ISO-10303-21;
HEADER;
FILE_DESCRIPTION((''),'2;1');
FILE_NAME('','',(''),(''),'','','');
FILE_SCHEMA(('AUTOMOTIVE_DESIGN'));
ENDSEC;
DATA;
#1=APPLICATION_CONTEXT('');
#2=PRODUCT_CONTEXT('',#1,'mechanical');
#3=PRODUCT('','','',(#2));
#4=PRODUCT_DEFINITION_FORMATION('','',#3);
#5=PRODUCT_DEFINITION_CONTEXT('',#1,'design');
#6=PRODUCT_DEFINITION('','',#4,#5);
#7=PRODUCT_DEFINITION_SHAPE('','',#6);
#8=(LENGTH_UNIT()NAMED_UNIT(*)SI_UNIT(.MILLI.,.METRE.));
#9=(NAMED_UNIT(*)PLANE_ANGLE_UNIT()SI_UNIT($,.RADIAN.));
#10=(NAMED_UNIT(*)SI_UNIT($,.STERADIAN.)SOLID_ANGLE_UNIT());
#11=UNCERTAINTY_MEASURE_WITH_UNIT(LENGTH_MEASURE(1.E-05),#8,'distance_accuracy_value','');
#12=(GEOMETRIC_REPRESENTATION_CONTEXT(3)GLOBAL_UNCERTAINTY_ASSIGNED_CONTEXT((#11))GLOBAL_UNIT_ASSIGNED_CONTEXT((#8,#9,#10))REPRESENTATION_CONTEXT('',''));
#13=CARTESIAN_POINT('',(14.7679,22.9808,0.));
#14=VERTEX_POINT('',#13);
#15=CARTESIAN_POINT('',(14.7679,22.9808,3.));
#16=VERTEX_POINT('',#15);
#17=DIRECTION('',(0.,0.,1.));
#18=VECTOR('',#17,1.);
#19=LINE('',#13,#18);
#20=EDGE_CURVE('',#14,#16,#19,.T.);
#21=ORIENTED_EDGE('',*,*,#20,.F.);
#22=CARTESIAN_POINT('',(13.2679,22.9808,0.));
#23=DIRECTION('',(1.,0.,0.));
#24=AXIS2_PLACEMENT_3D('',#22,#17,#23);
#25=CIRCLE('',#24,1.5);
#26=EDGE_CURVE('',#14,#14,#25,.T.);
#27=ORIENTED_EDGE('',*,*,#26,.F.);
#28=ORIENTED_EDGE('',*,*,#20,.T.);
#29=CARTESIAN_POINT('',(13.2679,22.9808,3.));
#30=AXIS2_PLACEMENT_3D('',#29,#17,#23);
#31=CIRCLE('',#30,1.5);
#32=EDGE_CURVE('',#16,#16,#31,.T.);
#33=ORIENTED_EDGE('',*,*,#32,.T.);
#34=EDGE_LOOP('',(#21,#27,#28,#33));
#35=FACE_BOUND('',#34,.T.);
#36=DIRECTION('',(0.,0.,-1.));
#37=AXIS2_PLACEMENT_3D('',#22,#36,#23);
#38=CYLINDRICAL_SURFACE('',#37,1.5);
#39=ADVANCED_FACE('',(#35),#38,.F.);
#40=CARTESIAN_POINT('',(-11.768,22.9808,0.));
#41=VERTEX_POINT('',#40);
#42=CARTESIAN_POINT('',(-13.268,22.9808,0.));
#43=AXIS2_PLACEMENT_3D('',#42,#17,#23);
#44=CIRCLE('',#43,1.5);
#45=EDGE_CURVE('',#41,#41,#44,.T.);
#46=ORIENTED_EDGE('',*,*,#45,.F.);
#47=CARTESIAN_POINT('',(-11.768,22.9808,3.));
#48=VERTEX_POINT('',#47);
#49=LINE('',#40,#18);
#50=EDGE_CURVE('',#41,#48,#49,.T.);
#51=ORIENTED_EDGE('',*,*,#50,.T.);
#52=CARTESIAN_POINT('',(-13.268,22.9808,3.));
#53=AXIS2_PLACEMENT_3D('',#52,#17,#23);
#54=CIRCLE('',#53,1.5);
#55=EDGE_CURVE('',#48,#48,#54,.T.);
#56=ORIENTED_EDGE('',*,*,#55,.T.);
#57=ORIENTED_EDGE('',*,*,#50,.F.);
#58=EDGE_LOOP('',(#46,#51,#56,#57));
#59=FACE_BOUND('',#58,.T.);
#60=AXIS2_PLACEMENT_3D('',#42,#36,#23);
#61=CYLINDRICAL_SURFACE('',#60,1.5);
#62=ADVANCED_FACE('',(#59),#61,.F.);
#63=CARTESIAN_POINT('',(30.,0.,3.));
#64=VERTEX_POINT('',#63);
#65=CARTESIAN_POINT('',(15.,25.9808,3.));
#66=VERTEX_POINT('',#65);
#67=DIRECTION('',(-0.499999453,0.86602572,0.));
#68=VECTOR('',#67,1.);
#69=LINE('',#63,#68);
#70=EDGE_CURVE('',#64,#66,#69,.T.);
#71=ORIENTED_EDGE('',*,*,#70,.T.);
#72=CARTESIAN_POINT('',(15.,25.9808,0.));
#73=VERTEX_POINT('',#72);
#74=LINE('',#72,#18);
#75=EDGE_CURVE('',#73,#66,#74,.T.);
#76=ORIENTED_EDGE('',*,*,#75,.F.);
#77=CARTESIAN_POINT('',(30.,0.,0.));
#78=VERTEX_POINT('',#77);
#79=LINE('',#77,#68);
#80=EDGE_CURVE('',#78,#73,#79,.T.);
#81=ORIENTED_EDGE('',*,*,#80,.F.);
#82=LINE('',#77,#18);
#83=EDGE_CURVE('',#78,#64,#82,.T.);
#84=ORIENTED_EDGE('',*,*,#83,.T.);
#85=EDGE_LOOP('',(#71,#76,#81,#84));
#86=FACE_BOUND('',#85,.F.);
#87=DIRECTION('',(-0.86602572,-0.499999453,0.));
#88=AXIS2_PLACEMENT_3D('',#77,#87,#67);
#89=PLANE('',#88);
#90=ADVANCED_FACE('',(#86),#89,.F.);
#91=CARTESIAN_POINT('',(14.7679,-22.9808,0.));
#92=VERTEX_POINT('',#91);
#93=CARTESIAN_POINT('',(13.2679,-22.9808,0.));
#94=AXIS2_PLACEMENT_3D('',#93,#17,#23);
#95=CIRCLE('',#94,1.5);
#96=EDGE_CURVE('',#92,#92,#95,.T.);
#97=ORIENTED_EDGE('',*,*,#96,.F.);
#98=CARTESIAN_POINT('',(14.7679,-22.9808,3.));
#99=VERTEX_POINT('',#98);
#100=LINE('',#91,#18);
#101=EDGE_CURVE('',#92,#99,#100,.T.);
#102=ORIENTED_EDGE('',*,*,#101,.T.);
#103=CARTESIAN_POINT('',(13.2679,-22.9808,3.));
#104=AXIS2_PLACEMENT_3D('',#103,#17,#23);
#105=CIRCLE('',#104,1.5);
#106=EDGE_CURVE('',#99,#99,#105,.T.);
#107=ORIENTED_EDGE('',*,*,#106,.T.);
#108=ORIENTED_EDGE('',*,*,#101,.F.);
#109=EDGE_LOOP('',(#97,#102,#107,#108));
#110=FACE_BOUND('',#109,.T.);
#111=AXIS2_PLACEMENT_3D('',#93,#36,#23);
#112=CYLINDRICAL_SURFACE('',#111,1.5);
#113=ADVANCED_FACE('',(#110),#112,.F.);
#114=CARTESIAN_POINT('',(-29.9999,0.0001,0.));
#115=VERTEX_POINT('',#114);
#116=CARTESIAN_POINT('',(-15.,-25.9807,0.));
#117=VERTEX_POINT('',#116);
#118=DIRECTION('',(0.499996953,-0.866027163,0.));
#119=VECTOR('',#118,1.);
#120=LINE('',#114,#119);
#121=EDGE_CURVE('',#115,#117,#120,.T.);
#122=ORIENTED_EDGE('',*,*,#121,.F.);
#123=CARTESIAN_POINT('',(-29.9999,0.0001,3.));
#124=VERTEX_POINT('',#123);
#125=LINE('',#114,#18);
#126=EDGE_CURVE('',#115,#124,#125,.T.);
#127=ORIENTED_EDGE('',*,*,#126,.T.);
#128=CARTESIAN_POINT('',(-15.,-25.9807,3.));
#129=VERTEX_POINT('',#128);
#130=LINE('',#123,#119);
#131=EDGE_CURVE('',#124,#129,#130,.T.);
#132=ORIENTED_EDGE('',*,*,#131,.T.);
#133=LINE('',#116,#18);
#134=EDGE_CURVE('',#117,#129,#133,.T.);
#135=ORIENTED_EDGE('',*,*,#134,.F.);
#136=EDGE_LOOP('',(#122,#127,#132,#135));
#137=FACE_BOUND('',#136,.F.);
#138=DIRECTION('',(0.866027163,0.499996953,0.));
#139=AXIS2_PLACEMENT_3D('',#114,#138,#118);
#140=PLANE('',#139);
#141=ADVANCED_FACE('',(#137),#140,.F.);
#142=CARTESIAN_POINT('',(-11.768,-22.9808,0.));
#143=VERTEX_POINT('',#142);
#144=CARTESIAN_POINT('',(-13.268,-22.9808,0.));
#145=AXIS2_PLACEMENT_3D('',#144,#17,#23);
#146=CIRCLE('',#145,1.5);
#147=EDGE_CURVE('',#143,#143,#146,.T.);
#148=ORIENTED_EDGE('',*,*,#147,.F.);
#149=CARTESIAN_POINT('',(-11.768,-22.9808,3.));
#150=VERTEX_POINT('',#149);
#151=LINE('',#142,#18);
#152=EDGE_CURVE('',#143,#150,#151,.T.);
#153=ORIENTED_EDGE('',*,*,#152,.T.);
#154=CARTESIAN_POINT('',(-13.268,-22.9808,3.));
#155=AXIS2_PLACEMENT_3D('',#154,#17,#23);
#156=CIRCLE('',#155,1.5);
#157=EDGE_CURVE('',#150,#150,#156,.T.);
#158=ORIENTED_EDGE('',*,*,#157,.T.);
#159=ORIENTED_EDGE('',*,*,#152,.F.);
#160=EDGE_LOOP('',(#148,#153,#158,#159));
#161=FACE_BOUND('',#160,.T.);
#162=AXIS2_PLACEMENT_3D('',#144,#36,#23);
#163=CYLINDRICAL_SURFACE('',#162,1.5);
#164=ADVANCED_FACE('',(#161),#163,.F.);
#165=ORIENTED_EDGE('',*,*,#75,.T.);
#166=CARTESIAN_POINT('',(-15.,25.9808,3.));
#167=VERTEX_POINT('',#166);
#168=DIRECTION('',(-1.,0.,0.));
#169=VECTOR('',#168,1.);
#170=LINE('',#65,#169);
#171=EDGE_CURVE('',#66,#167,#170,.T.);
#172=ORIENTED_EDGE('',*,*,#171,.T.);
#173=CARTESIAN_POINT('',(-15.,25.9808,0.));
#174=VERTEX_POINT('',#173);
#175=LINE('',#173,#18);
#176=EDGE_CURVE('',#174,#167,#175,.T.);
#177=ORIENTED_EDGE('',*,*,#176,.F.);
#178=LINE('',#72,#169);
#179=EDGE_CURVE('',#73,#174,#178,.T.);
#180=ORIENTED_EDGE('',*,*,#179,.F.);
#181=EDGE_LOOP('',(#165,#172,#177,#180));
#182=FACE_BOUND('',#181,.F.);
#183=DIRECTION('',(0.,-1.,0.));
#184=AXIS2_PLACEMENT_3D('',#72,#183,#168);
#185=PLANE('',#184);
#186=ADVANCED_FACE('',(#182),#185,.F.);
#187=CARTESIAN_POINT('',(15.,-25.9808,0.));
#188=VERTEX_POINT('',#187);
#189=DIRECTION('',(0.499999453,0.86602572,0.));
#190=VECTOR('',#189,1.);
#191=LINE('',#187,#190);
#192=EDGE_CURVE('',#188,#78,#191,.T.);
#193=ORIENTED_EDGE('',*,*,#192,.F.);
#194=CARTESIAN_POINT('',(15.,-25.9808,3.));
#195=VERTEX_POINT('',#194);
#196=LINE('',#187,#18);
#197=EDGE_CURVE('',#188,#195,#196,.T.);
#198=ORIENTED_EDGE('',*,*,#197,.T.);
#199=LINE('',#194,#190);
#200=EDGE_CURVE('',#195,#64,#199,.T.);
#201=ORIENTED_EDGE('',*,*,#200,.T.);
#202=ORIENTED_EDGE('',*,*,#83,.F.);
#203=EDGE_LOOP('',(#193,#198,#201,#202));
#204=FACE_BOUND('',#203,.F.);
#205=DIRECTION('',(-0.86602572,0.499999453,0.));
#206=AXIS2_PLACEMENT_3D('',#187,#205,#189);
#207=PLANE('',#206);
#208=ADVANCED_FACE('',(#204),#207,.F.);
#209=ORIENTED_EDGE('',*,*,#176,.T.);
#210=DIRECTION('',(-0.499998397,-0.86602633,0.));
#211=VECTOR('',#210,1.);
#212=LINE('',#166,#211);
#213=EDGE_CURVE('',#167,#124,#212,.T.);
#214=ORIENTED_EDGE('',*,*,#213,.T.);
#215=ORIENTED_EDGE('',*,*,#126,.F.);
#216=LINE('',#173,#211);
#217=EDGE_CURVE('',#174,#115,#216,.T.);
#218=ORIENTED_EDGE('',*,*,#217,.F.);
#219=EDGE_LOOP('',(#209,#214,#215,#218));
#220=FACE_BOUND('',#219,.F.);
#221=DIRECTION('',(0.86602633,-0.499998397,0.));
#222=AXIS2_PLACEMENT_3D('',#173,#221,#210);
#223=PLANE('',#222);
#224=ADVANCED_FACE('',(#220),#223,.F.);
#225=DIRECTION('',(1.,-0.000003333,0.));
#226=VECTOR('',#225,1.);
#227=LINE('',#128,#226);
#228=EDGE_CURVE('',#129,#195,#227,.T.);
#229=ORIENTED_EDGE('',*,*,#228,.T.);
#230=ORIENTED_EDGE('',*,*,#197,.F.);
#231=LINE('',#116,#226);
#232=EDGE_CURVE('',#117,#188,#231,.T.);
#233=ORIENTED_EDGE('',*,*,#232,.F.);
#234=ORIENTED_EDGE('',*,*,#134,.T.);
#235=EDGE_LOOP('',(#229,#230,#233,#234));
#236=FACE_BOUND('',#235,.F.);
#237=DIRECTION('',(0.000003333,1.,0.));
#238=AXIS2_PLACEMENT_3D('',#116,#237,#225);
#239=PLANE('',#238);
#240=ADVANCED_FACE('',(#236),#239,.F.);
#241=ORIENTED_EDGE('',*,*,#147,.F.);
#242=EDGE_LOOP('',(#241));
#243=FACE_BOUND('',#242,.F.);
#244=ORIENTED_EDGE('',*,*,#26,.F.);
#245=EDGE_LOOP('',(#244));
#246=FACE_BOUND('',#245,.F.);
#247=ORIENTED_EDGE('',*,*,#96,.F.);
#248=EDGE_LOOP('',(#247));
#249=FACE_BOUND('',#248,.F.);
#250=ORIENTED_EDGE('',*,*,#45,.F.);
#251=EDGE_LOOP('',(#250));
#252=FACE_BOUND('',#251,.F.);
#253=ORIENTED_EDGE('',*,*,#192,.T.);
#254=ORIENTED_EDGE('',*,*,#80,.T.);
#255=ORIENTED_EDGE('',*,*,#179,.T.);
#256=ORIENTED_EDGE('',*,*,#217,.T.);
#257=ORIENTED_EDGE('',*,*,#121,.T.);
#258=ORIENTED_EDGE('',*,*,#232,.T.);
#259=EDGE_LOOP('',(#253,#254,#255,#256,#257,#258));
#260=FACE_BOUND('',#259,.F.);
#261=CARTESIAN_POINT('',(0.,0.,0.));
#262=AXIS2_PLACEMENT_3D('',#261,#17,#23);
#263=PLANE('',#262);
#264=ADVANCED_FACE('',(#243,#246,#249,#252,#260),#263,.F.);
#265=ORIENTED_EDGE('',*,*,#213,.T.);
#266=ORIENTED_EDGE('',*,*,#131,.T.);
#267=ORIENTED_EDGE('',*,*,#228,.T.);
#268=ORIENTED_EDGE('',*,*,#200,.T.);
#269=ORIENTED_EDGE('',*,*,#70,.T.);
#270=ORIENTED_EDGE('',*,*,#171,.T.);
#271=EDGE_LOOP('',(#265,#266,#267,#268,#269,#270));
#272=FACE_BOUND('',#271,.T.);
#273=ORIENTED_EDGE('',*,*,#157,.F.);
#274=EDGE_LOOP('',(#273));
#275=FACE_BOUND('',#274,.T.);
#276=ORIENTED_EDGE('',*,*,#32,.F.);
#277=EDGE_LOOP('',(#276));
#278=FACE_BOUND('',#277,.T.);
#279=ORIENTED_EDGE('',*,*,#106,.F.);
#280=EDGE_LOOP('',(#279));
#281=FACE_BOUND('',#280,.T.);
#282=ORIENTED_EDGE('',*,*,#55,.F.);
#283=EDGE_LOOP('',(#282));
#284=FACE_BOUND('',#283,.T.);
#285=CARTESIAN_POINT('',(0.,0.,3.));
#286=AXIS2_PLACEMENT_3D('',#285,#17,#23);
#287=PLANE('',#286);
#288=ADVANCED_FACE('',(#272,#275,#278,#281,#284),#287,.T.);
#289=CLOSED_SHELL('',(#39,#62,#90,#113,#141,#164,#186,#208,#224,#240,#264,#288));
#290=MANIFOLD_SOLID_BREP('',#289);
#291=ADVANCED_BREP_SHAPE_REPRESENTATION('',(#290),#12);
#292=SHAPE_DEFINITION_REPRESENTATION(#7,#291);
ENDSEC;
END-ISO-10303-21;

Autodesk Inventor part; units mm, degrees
ref_plane "YZ Plane" through (0, 0, 0) normal (1, 0, 0) x (0, 1, 0)
ref_plane "XZ Plane" through (0, 0, 0) normal (0, 1, 0) x (-1, 0, 0)
ref_plane "XY Plane" through (0, 0, 0) normal (0, 0, 1) x (1, 0, 0)
sketch "Sketch1" plane through (0, 0, 0) normal (0, 0, 1) x (1, 0, 0)
  line L0 (-29.9999, 0.0001) -> (-15, -25.9807)
  line L1 (15, -25.9808) -> (30, 0)
  line L2 (-15, -25.9807) -> (15, -25.9808)
  line L3 (30, 0) -> (15, 25.9808)
  line L4 (15, 25.9808) -> (-15, 25.9808)
  line L5 (-15, 25.9808) -> (-30, 0)
  line L6 (0, 25.9808) -> (0, -25.9808) construction
  line L7 (-30, 0) -> (30, 0) construction
  line L8 (-24.8039, 3) -> (-13.268, 22.9808) construction
  line L9 (-13.268, 22.9808) -> (13.2679, 22.9808) construction
  line L10 (13.2679, 22.9808) -> (24.8038, 3) construction
  line L11 (24.8038, 3) -> (-24.8039, 3) construction
  circle A0 centre (-13.268, 22.9808) radius 1.5
  circle A1 centre (13.2679, 22.9808) radius 1.5
  circle A2 centre (-24.8039, 0) radius 1.5 construction
  line L12 (-24.8039, 3) -> (-26.5359, 0) construction
  circle A3 centre (24.8039, 0.0001) radius 1.5 construction
  circle A4 centre (-13.268, -22.9808) radius 1.5
  circle A5 centre (13.2679, -22.9808) radius 1.5
  point P0 (0, 0)
  point P1 (0, 0)
  point P2 (-30, 0.0001)
  dimension "d1" = 30
  dimension "d6" = 120
  dimension "d7" = 120
  dimension "d8" = 120
  dimension "d9" = 120
  dimension "d10" = 120
  dimension "d13" = 3
  dimension "d14" = 3
  dimension "d15" = 3
extrude "Extrusion1" add sketch "Sketch1" along normal blind 3
equation "\"d7\" = d6"
equation "\"d8\" = d6"
equation "\"d9\" = d6"
equation "\"d10\" = d6"
properties part number "ArmControlBoard"
